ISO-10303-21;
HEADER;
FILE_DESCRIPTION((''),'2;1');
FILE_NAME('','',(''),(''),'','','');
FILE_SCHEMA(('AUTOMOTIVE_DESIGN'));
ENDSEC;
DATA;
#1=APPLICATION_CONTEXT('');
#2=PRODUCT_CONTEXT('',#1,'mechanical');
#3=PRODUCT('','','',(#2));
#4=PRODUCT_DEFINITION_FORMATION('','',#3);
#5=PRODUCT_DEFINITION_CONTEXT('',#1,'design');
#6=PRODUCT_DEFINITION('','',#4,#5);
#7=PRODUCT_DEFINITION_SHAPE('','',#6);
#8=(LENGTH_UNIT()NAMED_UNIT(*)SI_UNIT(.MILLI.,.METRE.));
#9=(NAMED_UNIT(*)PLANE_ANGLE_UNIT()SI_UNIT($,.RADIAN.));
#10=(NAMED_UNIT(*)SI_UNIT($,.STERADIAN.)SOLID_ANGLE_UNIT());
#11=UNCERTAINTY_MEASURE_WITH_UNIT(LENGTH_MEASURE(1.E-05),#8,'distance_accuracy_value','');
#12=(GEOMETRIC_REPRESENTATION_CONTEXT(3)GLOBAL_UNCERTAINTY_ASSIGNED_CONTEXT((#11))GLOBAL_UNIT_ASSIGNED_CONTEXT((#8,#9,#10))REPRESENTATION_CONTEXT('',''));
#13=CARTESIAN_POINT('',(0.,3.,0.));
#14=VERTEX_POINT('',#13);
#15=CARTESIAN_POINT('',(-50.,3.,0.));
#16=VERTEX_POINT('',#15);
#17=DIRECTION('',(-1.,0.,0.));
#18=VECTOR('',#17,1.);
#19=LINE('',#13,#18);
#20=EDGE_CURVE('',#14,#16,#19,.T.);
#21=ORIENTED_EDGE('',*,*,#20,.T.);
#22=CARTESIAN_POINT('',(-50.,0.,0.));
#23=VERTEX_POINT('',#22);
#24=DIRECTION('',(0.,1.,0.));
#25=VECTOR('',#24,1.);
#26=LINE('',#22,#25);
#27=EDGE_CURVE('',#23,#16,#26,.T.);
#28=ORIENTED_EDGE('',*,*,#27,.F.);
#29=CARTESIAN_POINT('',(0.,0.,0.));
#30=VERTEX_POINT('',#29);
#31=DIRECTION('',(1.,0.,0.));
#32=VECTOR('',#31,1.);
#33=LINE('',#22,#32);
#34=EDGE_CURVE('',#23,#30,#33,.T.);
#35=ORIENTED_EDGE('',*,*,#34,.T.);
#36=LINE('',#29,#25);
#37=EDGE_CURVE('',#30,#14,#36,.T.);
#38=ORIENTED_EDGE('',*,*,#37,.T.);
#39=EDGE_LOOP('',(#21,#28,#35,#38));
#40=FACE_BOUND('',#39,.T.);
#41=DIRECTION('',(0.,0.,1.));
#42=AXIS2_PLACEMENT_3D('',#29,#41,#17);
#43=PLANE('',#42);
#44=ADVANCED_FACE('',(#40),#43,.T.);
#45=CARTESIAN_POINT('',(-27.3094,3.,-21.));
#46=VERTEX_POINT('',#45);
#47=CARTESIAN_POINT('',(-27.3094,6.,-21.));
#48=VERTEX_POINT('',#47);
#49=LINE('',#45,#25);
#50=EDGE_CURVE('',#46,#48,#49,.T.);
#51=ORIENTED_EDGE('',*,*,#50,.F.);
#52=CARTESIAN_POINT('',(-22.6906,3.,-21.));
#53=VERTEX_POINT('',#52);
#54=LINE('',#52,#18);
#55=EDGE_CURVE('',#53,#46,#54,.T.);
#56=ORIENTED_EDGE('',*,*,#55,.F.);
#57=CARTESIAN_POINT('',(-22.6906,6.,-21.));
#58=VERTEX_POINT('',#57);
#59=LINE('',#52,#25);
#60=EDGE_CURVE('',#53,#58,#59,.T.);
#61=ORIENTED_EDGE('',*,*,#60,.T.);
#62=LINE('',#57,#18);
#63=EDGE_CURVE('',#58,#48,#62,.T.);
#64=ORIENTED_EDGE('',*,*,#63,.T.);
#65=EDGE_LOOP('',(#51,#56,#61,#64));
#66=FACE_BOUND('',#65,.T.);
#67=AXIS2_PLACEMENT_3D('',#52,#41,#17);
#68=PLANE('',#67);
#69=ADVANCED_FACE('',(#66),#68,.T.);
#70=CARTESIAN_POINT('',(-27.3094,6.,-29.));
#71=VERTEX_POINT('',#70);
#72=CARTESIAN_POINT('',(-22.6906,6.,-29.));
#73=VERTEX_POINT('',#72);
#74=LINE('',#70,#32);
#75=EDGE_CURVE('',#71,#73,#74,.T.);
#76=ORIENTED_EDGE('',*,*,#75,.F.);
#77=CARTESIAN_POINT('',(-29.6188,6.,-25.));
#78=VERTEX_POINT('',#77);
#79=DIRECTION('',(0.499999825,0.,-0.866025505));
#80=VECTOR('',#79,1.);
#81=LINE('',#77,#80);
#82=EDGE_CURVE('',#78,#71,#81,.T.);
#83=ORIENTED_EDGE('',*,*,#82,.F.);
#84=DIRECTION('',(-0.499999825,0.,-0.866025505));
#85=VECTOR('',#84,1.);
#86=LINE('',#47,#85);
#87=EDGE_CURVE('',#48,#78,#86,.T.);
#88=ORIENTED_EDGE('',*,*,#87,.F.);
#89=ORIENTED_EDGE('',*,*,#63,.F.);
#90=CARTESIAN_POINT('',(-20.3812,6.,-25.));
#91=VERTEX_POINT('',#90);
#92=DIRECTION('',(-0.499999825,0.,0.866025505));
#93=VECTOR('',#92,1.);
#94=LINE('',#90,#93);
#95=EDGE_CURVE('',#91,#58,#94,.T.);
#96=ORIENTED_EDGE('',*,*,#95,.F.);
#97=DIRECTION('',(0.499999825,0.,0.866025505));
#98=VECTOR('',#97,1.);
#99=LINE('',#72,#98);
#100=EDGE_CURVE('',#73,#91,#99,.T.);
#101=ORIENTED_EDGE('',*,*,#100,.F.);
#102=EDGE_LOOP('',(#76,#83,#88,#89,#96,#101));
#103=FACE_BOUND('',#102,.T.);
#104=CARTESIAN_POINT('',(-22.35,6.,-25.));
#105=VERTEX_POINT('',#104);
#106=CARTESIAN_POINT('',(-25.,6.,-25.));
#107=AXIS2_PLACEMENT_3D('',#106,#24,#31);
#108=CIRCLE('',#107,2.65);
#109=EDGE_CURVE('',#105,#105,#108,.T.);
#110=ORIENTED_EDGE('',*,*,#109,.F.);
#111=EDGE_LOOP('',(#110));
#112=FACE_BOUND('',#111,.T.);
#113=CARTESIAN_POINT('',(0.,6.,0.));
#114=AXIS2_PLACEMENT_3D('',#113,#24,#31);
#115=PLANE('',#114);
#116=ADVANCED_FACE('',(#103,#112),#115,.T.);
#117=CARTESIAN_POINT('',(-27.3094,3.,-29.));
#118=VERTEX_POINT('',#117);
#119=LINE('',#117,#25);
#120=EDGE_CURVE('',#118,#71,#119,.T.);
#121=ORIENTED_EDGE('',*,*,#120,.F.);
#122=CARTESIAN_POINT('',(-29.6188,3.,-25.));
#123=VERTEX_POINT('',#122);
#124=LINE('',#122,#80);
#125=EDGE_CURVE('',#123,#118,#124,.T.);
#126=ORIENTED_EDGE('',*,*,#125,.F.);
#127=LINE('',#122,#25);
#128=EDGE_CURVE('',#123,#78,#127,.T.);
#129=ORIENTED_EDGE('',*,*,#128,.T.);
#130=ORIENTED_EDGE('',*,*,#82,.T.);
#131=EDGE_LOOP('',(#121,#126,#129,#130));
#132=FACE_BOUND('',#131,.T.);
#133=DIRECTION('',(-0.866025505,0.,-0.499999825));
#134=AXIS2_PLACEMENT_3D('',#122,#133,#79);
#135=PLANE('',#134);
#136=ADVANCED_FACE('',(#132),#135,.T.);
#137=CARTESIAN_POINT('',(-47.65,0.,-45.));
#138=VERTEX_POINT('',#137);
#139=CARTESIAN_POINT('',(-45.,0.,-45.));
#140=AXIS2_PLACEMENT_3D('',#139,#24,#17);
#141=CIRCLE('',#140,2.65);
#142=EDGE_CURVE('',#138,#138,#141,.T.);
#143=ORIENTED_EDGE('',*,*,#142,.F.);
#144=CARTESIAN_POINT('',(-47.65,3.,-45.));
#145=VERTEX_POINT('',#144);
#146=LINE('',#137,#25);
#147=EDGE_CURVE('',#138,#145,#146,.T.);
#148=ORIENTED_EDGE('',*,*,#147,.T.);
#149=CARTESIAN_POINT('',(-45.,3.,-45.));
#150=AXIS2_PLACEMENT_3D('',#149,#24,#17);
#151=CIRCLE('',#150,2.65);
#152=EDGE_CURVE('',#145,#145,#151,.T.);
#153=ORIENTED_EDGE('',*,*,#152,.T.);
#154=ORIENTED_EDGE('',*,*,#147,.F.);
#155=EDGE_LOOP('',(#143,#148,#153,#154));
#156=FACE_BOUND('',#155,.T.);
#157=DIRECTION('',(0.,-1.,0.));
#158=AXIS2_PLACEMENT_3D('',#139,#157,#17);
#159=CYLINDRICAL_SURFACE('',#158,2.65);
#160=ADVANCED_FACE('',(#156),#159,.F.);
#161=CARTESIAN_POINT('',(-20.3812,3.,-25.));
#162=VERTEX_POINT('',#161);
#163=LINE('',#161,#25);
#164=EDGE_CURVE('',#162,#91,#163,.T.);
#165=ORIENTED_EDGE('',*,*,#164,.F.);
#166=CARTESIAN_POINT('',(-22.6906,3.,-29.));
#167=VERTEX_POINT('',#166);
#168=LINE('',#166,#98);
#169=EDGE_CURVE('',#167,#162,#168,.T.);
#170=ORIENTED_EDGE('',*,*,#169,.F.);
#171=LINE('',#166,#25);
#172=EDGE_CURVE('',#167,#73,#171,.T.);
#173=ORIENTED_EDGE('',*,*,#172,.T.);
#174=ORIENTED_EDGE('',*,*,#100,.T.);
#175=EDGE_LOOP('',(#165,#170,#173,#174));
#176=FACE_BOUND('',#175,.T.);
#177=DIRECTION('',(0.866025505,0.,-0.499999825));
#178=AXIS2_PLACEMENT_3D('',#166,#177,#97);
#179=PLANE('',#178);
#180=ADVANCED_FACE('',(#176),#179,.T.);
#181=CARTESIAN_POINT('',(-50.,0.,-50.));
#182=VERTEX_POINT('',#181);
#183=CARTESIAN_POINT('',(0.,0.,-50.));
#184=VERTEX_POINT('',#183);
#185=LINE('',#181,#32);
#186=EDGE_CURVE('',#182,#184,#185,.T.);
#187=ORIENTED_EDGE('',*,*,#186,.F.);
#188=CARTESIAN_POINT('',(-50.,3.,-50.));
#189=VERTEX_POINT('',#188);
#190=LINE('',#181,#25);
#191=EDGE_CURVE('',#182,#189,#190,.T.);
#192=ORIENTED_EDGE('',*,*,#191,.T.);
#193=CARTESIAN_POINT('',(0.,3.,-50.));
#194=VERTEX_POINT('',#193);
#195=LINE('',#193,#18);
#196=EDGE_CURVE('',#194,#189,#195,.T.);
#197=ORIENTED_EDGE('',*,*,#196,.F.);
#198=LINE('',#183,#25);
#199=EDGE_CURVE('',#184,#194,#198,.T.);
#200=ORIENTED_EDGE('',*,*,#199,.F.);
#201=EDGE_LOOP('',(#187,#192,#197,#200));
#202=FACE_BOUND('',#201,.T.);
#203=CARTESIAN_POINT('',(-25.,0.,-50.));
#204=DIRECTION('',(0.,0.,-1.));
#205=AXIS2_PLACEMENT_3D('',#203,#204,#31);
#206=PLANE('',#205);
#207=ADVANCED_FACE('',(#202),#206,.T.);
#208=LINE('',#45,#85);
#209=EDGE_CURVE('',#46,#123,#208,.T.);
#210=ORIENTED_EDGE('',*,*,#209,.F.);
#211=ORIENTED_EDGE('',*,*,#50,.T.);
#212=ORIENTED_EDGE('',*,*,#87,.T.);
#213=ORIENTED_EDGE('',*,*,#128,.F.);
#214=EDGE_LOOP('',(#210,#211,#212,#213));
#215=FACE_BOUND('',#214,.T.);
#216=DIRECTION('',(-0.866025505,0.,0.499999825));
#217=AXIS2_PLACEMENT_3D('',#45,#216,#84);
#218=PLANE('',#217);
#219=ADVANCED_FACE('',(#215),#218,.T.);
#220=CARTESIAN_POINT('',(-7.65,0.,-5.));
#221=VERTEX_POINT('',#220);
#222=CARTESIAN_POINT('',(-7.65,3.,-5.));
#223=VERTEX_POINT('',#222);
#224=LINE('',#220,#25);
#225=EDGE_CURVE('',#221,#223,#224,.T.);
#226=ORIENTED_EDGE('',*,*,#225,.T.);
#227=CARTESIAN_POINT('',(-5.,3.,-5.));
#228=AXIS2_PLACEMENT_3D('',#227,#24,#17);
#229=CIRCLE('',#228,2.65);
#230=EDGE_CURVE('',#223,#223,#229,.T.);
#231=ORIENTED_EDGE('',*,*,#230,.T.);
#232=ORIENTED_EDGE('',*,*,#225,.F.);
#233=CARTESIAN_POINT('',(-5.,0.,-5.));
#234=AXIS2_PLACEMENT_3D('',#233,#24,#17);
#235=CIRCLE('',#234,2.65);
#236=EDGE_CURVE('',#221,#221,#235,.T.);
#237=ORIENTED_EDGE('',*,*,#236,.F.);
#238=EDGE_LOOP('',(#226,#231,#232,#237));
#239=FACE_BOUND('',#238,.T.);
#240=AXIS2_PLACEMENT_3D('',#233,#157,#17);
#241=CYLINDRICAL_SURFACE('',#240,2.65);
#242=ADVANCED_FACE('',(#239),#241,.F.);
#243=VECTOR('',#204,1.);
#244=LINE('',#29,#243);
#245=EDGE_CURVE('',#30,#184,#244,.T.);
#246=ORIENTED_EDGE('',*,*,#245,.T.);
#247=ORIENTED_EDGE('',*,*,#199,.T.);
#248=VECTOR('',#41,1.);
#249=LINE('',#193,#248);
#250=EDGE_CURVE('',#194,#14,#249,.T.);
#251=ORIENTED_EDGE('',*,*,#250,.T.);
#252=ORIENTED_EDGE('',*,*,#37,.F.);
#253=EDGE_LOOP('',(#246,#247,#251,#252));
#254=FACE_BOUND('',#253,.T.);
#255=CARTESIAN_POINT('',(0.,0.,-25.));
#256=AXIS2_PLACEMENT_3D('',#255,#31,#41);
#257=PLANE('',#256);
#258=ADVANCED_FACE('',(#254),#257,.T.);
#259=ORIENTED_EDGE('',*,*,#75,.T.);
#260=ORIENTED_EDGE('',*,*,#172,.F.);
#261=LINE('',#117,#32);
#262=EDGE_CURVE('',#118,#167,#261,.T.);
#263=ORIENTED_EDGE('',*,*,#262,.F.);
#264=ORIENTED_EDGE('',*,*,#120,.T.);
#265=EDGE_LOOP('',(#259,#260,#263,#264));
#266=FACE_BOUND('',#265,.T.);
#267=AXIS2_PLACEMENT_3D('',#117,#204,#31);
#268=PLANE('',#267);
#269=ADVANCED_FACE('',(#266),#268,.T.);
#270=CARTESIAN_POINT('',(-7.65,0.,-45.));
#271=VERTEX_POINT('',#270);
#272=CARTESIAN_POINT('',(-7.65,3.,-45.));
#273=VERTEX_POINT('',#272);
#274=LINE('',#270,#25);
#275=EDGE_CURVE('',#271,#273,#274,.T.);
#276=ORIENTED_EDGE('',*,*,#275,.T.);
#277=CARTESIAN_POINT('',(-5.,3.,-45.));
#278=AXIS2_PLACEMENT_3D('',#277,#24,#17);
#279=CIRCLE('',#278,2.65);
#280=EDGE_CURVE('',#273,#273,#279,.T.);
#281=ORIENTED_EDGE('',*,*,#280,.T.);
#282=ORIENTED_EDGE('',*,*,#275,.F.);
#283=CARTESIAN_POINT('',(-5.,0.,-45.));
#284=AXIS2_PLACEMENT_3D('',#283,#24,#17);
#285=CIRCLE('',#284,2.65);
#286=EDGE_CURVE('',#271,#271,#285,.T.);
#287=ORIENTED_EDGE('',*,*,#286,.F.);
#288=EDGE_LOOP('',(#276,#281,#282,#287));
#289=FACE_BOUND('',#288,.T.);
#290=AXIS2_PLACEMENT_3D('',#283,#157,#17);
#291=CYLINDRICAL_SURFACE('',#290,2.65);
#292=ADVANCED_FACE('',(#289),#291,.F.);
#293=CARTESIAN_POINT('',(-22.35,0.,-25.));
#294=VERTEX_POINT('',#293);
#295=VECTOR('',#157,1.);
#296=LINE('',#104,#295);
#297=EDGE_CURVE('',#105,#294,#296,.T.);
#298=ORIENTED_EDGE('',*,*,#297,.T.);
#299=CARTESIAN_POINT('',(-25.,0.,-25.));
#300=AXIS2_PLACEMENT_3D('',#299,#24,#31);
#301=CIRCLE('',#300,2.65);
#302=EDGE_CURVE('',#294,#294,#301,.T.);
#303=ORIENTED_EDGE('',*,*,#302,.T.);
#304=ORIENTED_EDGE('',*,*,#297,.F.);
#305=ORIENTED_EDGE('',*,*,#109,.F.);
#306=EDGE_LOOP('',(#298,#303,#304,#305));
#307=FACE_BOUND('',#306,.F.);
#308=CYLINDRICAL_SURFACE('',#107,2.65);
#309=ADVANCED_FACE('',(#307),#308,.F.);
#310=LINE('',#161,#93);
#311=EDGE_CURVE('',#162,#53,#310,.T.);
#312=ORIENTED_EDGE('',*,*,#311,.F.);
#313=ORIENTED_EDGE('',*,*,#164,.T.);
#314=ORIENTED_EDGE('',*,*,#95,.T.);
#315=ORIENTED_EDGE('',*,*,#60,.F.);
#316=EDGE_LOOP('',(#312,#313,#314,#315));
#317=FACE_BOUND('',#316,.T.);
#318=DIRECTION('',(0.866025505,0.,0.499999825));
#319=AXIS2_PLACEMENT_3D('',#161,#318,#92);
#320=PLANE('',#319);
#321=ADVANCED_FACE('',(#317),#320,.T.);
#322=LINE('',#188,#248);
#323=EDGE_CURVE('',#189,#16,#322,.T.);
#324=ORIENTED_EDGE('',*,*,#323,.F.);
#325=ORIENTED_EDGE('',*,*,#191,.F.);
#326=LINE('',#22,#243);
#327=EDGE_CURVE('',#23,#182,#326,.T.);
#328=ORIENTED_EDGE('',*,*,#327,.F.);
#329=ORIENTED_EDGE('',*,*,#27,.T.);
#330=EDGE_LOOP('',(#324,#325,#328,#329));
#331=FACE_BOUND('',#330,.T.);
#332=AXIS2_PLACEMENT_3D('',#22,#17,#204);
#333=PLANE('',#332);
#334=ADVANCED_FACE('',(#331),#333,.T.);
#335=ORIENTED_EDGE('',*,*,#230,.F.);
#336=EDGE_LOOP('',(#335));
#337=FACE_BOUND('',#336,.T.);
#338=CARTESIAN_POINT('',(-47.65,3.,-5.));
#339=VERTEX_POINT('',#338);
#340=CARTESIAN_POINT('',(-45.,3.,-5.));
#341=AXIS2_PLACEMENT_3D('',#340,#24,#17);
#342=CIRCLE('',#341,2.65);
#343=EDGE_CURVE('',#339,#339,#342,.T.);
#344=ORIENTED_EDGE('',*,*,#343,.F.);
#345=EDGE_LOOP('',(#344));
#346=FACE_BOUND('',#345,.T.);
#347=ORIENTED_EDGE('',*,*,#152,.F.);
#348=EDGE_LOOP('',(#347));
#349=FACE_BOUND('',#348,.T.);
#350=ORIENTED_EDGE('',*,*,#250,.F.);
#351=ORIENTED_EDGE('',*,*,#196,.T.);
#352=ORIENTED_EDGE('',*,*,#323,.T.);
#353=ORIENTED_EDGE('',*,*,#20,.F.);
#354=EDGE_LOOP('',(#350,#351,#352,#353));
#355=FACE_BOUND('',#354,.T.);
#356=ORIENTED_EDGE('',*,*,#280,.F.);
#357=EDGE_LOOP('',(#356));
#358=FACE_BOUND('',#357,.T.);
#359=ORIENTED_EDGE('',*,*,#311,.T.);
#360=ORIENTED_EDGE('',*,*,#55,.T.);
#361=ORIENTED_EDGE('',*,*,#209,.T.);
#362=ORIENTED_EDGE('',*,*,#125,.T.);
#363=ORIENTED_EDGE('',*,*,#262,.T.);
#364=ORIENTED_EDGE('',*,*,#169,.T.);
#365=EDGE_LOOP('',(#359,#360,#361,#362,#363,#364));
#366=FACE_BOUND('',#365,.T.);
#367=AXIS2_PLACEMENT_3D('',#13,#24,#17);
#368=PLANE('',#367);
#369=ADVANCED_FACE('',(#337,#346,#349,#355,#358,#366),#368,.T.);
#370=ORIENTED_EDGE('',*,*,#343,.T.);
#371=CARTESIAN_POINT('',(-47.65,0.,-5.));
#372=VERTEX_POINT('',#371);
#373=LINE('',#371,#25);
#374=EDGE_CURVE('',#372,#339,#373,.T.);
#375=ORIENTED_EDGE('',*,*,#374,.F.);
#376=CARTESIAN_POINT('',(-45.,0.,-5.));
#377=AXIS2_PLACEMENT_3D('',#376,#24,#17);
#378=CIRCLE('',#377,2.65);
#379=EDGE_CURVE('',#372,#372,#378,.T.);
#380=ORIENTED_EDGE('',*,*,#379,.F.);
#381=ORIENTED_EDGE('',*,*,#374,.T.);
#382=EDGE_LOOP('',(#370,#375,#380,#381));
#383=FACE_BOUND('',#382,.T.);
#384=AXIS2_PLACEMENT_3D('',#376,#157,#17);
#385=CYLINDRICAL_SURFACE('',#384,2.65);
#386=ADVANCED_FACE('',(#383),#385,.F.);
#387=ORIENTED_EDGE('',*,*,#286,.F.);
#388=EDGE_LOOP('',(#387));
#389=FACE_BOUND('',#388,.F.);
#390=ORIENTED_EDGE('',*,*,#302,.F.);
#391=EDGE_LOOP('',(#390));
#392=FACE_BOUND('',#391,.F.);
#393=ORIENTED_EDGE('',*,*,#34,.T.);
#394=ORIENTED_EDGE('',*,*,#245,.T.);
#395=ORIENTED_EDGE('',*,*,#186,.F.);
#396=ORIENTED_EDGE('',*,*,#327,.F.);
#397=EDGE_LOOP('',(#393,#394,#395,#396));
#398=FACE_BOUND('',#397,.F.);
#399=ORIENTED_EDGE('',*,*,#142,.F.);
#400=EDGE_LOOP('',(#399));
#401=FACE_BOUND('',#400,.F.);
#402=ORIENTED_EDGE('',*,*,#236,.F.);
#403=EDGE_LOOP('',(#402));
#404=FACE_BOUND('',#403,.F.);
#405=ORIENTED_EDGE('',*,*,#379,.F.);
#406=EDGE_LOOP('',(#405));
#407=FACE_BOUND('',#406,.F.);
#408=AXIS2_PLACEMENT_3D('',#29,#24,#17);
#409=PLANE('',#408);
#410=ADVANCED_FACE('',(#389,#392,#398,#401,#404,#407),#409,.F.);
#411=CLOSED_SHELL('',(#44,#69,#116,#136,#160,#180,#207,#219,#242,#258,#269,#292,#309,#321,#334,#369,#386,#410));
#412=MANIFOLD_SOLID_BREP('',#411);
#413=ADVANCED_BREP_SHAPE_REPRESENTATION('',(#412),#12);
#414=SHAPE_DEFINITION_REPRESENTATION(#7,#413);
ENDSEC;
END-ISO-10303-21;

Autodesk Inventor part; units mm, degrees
ref_plane "YZ Plane" through (0, 0, 0) normal (1, 0, 0) x (0, 1, 0)
ref_plane "XZ Plane" through (0, 0, 0) normal (0, 1, 0) x (-1, 0, 0)
ref_plane "XY Plane" through (0, 0, 0) normal (0, 0, 1) x (1, 0, 0)
sketch "Sketch1" plane through (0, 0, 0) normal (0, 1, 0) x (-1, 0, 0)
  line L0 (0, 0) -> (50, 0)
  line L1 (50, 0) -> (50, -50)
  line L2 (50, -50) -> (0, -50)
  line L3 (0, -50) -> (0, 0)
  circle A0 centre (45, -5) radius 2.65
  line L4 (50, -25) -> (0, -25)
  line L5 (25, -50) -> (25, 0)
  circle A1 centre (45, -45) radius 2.65
  circle A2 centre (5, -5) radius 2.65
  circle A3 centre (5, -45) radius 2.65
  dimension "d0" = 50
  dimension "d1" = 50
  dimension "d2" = 5
  dimension "d3" = 5
  dimension "d4" = 5.3
extrude "Extrusion1" add sketch "Sketch1" along normal blind 3
sketch "Sketch2" plane through (0, 3, 0) normal (0, 1, 0) x (1, 0, 0)
  line L0 (-20.3812, 25) -> (-22.6906, 21)
  line L1 (-22.6906, 21) -> (-27.3094, 21)
  line L2 (-27.3094, 21) -> (-29.6188, 25)
  line L3 (-29.6188, 25) -> (-27.3094, 29)
  line L4 (-27.3094, 29) -> (-22.6906, 29)
  line L5 (-22.6906, 29) -> (-20.3812, 25)
  line L6 (0, 50) -> (-50, 50) projected
  line L7 (0, 0) -> (0, 50) projected
  point P0 (-25, 25)
  point P1 (-25, 21)
  dimension "d7" = 8
  dimension "d8" = 25
  dimension "d9" = 25
extrude "Extrusion2" add sketch "Sketch2" along normal blind 3
sketch "Sketch3" plane through (0, 6, 0) normal (0, 1, 0) x (1, 0, 0)
  circle A0 centre (-25, 25) radius 2.65
  line L0 (0, 50) -> (-50, 50) projected
  line L1 (0, 0) -> (0, 50) projected
  dimension "d13" = 5.3
  dimension "d14" = 25
  dimension "d15" = 25
extrude "Extrusion3" cut sketch "Sketch3" against normal blind 10
properties part number "BoxLed"
